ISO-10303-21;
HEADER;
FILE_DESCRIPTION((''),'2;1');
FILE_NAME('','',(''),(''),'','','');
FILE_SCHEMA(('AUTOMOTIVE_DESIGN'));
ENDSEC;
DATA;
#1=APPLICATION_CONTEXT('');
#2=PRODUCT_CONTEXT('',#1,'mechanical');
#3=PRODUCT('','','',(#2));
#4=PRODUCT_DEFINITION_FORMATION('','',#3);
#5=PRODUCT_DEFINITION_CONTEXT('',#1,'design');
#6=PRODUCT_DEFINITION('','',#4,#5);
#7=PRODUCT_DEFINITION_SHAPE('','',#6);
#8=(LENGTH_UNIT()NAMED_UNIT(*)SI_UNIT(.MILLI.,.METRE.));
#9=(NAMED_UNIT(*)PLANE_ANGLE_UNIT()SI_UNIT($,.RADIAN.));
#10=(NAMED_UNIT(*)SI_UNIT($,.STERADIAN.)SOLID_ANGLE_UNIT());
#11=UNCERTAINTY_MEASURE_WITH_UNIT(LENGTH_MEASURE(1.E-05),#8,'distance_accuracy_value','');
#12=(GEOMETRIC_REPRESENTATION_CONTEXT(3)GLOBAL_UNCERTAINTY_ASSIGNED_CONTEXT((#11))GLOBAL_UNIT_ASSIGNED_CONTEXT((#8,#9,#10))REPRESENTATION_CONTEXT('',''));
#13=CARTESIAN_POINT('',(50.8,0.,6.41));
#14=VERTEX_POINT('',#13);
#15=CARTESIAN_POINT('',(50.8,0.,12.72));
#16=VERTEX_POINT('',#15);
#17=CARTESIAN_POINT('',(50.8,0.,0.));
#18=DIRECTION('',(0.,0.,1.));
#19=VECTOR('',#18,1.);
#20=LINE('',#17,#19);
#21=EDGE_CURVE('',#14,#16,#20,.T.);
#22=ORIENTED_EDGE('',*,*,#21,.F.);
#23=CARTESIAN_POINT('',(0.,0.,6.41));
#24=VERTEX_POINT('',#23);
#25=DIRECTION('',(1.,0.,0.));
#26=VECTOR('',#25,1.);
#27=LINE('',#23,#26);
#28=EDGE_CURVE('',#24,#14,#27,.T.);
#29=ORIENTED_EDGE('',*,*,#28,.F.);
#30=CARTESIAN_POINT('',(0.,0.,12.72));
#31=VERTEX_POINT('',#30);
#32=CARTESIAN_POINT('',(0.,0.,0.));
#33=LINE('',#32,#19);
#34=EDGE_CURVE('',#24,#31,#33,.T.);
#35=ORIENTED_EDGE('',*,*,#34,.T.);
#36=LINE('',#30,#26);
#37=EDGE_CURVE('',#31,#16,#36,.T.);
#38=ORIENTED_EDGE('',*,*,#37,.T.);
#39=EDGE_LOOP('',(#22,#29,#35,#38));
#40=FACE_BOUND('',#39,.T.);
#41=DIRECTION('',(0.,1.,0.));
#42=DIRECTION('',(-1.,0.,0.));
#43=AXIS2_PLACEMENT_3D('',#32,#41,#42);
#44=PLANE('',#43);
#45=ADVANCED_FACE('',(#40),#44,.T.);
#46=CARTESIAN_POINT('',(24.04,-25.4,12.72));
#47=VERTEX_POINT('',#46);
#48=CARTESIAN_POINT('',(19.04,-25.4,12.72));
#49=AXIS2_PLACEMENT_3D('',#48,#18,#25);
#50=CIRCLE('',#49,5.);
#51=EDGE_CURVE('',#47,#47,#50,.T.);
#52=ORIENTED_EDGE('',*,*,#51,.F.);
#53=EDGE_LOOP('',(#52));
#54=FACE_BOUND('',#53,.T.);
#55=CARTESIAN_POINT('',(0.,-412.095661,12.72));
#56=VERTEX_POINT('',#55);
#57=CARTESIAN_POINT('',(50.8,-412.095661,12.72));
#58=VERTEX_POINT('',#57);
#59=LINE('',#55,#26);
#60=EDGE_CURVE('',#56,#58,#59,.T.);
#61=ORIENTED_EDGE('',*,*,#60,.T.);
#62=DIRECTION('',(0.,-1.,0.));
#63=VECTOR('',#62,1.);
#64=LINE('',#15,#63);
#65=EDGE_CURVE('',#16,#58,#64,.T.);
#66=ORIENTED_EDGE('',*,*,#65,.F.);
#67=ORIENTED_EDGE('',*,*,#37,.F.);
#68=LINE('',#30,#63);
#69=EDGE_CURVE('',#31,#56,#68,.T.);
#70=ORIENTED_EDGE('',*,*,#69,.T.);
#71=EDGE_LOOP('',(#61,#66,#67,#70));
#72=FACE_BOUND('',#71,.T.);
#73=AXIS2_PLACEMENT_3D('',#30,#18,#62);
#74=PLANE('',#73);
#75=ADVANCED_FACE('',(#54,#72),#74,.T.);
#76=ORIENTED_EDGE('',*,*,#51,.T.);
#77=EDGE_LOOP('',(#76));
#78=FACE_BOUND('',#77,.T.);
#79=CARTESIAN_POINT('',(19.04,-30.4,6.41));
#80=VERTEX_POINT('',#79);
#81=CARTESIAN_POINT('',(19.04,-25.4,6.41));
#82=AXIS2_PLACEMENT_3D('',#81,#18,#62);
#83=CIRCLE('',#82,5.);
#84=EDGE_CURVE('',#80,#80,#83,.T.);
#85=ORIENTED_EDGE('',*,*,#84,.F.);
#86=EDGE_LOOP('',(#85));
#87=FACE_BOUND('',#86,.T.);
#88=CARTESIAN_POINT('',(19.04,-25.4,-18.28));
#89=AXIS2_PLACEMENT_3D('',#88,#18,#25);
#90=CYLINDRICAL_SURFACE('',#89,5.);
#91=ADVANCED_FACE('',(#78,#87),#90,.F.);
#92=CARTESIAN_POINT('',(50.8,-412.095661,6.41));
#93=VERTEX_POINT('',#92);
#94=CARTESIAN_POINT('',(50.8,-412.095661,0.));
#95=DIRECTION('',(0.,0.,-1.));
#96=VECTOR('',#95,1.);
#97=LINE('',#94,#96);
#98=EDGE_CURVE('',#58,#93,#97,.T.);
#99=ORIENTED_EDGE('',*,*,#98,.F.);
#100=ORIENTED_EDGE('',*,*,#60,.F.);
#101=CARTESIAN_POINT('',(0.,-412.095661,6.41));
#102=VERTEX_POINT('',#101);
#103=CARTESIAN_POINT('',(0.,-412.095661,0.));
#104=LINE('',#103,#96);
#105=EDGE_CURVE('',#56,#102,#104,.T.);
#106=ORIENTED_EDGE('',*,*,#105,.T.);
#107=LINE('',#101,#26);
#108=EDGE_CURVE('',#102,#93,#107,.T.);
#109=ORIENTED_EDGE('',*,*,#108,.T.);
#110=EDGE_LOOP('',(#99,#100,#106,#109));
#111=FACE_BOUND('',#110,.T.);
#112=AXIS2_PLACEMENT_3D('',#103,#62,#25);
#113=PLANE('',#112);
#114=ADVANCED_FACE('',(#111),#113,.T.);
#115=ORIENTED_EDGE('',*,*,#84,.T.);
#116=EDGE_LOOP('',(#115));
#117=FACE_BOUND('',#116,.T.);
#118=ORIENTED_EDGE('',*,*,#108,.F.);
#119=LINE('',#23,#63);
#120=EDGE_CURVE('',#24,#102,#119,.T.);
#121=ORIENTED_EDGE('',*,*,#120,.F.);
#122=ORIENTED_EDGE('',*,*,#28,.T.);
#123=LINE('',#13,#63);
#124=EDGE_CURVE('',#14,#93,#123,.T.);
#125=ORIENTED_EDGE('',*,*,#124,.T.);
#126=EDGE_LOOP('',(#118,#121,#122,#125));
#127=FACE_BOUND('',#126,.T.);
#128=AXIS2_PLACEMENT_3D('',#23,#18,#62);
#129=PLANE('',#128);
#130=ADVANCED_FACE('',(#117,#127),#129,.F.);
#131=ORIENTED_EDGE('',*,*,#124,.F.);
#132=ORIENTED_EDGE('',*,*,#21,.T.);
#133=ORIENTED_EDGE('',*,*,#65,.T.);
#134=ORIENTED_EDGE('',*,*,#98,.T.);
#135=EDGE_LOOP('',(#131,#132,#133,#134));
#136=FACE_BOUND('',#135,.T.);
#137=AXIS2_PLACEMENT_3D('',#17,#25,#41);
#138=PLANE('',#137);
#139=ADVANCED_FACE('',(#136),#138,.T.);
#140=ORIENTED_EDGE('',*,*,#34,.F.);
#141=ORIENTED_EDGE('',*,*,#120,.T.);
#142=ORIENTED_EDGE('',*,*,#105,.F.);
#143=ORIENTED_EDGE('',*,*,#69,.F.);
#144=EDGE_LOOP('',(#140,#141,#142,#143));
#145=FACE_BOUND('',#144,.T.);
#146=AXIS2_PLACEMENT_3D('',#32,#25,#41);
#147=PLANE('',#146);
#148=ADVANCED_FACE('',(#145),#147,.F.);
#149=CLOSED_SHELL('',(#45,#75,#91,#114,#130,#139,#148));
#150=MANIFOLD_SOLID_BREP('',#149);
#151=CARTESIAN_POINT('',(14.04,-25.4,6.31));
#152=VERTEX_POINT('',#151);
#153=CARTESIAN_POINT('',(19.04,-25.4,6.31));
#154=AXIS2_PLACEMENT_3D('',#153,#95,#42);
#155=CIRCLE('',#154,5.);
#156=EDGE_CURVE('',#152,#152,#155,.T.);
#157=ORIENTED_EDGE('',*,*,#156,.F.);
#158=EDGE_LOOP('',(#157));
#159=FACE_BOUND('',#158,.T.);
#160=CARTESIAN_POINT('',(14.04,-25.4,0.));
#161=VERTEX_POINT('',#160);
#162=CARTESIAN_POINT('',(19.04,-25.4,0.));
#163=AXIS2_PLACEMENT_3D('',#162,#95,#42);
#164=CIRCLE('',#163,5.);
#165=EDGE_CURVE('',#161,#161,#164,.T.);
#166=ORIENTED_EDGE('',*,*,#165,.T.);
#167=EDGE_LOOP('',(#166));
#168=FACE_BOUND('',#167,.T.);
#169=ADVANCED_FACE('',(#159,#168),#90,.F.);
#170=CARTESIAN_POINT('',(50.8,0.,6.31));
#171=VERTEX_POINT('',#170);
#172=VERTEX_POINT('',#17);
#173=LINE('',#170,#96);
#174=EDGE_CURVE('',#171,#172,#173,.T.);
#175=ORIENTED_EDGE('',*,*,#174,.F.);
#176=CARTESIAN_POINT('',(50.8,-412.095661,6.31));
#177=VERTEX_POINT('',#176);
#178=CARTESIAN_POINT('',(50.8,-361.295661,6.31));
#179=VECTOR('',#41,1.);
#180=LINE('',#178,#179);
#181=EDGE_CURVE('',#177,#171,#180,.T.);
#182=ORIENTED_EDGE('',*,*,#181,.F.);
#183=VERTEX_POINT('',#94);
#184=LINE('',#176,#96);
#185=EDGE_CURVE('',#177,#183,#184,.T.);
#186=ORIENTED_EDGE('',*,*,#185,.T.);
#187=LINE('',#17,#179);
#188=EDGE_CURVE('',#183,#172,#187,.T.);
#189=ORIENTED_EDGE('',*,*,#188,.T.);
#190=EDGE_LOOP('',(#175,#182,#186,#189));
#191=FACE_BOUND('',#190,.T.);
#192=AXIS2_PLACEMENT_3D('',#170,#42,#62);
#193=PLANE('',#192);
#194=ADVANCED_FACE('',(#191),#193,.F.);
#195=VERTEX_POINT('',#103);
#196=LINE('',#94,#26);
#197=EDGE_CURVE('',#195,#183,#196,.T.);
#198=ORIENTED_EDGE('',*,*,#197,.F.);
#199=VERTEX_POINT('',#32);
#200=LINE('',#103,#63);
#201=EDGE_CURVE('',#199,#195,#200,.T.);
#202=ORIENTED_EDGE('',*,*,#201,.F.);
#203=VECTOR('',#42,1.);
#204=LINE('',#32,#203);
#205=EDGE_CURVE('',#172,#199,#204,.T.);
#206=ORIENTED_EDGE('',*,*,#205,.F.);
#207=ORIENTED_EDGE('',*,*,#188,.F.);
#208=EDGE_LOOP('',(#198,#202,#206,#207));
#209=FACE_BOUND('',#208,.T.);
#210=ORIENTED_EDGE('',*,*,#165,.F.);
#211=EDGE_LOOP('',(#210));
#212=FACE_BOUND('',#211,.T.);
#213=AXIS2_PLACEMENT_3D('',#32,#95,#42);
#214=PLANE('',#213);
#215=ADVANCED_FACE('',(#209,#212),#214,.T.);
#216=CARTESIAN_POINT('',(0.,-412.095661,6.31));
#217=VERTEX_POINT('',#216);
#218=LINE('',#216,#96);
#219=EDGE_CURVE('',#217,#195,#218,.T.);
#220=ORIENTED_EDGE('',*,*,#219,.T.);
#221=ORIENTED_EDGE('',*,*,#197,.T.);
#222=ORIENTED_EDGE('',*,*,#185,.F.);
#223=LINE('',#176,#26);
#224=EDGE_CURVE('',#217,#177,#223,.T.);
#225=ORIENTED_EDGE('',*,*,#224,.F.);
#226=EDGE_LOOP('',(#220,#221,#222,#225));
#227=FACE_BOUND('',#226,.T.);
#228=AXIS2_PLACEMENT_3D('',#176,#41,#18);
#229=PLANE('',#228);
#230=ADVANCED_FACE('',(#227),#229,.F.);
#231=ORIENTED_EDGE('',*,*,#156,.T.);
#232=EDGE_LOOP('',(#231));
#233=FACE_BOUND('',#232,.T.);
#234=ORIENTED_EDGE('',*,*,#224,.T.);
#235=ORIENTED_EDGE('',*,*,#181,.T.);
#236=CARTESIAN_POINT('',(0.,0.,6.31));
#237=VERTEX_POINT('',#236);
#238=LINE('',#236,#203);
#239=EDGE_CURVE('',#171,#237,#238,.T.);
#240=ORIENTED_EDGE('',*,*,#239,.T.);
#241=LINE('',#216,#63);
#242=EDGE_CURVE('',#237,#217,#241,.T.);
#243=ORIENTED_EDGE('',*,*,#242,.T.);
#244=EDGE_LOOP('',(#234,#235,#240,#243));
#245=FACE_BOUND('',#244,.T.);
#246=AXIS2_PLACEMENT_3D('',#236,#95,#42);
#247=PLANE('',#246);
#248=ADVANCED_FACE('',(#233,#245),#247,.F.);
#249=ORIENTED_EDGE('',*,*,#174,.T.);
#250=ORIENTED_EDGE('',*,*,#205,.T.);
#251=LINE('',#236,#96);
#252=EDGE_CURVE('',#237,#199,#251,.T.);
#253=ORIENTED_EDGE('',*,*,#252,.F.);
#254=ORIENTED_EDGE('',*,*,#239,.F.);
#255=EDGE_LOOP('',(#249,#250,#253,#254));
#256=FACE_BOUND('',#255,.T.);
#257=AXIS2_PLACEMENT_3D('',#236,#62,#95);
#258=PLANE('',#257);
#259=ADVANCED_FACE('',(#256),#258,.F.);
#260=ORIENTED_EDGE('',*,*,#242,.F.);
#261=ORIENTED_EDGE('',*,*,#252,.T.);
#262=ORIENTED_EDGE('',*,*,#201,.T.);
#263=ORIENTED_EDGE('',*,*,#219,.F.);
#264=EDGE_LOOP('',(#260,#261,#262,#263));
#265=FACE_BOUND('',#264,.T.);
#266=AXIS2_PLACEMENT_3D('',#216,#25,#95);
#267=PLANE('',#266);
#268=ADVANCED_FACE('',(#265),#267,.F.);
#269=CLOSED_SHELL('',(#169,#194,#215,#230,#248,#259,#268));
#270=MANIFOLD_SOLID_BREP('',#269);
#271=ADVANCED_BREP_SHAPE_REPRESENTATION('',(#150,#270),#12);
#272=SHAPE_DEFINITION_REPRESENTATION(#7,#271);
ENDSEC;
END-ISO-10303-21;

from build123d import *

# Parameters (mm, degrees)
SALIENTE_EXTRUIR1_DEPTH = 6.31
CROQUIS3_W              = 6.31
CROQUIS3_H              = 412.09566061
SALIENTE_EXTRUIR2_DEPTH = 50.8
CROQUIS4_R              = 5
CORTAR_EXTRUIR1_DEPTH   = 31


with BuildPart() as part:
    # Croquis2 → Saliente-Extruir1 (new body)
    with BuildSketch(Plane.XY):
        Polygon((0, 0), (50.8, 0), (50.8, -361.29566061), (50.8, -412.09566061), (0, -412.09566061), align=None)
    extrude(amount=SALIENTE_EXTRUIR1_DEPTH)


with BuildPart() as body_2:
    # Croquis3 → Saliente-Extruir2 (new body)
    with BuildSketch(Plane(origin=(50.8, 0, 0), x_dir=(0, 0, -1), z_dir=(1, 0, 0))):
        with Locations((-9.565, -206.047830305)):
            Rectangle(CROQUIS3_W, CROQUIS3_H)
    extrude(amount=-SALIENTE_EXTRUIR2_DEPTH)


with BuildPart() as cortar_extruir1_tool:
    # Croquis4 → Cortar-Extruir1 (new body)
    with BuildSketch(Plane.XY.offset(12.72)):
        with Locations((19.04, -25.4)):
            Circle(CROQUIS4_R)
    extrude(amount=-CORTAR_EXTRUIR1_DEPTH)


with BuildPart() as part_1:
    add(part.part)

    # Cortar-Extruir1: cut by cortar_extruir1_tool
    add(cortar_extruir1_tool.part, mode=Mode.SUBTRACT)


with BuildPart() as body_2_1:
    add(body_2.part)

    # Cortar-Extruir1: cut by cortar_extruir1_tool
    add(cortar_extruir1_tool.part, mode=Mode.SUBTRACT)


solid = Compound([part_1.part, body_2_1.part])
